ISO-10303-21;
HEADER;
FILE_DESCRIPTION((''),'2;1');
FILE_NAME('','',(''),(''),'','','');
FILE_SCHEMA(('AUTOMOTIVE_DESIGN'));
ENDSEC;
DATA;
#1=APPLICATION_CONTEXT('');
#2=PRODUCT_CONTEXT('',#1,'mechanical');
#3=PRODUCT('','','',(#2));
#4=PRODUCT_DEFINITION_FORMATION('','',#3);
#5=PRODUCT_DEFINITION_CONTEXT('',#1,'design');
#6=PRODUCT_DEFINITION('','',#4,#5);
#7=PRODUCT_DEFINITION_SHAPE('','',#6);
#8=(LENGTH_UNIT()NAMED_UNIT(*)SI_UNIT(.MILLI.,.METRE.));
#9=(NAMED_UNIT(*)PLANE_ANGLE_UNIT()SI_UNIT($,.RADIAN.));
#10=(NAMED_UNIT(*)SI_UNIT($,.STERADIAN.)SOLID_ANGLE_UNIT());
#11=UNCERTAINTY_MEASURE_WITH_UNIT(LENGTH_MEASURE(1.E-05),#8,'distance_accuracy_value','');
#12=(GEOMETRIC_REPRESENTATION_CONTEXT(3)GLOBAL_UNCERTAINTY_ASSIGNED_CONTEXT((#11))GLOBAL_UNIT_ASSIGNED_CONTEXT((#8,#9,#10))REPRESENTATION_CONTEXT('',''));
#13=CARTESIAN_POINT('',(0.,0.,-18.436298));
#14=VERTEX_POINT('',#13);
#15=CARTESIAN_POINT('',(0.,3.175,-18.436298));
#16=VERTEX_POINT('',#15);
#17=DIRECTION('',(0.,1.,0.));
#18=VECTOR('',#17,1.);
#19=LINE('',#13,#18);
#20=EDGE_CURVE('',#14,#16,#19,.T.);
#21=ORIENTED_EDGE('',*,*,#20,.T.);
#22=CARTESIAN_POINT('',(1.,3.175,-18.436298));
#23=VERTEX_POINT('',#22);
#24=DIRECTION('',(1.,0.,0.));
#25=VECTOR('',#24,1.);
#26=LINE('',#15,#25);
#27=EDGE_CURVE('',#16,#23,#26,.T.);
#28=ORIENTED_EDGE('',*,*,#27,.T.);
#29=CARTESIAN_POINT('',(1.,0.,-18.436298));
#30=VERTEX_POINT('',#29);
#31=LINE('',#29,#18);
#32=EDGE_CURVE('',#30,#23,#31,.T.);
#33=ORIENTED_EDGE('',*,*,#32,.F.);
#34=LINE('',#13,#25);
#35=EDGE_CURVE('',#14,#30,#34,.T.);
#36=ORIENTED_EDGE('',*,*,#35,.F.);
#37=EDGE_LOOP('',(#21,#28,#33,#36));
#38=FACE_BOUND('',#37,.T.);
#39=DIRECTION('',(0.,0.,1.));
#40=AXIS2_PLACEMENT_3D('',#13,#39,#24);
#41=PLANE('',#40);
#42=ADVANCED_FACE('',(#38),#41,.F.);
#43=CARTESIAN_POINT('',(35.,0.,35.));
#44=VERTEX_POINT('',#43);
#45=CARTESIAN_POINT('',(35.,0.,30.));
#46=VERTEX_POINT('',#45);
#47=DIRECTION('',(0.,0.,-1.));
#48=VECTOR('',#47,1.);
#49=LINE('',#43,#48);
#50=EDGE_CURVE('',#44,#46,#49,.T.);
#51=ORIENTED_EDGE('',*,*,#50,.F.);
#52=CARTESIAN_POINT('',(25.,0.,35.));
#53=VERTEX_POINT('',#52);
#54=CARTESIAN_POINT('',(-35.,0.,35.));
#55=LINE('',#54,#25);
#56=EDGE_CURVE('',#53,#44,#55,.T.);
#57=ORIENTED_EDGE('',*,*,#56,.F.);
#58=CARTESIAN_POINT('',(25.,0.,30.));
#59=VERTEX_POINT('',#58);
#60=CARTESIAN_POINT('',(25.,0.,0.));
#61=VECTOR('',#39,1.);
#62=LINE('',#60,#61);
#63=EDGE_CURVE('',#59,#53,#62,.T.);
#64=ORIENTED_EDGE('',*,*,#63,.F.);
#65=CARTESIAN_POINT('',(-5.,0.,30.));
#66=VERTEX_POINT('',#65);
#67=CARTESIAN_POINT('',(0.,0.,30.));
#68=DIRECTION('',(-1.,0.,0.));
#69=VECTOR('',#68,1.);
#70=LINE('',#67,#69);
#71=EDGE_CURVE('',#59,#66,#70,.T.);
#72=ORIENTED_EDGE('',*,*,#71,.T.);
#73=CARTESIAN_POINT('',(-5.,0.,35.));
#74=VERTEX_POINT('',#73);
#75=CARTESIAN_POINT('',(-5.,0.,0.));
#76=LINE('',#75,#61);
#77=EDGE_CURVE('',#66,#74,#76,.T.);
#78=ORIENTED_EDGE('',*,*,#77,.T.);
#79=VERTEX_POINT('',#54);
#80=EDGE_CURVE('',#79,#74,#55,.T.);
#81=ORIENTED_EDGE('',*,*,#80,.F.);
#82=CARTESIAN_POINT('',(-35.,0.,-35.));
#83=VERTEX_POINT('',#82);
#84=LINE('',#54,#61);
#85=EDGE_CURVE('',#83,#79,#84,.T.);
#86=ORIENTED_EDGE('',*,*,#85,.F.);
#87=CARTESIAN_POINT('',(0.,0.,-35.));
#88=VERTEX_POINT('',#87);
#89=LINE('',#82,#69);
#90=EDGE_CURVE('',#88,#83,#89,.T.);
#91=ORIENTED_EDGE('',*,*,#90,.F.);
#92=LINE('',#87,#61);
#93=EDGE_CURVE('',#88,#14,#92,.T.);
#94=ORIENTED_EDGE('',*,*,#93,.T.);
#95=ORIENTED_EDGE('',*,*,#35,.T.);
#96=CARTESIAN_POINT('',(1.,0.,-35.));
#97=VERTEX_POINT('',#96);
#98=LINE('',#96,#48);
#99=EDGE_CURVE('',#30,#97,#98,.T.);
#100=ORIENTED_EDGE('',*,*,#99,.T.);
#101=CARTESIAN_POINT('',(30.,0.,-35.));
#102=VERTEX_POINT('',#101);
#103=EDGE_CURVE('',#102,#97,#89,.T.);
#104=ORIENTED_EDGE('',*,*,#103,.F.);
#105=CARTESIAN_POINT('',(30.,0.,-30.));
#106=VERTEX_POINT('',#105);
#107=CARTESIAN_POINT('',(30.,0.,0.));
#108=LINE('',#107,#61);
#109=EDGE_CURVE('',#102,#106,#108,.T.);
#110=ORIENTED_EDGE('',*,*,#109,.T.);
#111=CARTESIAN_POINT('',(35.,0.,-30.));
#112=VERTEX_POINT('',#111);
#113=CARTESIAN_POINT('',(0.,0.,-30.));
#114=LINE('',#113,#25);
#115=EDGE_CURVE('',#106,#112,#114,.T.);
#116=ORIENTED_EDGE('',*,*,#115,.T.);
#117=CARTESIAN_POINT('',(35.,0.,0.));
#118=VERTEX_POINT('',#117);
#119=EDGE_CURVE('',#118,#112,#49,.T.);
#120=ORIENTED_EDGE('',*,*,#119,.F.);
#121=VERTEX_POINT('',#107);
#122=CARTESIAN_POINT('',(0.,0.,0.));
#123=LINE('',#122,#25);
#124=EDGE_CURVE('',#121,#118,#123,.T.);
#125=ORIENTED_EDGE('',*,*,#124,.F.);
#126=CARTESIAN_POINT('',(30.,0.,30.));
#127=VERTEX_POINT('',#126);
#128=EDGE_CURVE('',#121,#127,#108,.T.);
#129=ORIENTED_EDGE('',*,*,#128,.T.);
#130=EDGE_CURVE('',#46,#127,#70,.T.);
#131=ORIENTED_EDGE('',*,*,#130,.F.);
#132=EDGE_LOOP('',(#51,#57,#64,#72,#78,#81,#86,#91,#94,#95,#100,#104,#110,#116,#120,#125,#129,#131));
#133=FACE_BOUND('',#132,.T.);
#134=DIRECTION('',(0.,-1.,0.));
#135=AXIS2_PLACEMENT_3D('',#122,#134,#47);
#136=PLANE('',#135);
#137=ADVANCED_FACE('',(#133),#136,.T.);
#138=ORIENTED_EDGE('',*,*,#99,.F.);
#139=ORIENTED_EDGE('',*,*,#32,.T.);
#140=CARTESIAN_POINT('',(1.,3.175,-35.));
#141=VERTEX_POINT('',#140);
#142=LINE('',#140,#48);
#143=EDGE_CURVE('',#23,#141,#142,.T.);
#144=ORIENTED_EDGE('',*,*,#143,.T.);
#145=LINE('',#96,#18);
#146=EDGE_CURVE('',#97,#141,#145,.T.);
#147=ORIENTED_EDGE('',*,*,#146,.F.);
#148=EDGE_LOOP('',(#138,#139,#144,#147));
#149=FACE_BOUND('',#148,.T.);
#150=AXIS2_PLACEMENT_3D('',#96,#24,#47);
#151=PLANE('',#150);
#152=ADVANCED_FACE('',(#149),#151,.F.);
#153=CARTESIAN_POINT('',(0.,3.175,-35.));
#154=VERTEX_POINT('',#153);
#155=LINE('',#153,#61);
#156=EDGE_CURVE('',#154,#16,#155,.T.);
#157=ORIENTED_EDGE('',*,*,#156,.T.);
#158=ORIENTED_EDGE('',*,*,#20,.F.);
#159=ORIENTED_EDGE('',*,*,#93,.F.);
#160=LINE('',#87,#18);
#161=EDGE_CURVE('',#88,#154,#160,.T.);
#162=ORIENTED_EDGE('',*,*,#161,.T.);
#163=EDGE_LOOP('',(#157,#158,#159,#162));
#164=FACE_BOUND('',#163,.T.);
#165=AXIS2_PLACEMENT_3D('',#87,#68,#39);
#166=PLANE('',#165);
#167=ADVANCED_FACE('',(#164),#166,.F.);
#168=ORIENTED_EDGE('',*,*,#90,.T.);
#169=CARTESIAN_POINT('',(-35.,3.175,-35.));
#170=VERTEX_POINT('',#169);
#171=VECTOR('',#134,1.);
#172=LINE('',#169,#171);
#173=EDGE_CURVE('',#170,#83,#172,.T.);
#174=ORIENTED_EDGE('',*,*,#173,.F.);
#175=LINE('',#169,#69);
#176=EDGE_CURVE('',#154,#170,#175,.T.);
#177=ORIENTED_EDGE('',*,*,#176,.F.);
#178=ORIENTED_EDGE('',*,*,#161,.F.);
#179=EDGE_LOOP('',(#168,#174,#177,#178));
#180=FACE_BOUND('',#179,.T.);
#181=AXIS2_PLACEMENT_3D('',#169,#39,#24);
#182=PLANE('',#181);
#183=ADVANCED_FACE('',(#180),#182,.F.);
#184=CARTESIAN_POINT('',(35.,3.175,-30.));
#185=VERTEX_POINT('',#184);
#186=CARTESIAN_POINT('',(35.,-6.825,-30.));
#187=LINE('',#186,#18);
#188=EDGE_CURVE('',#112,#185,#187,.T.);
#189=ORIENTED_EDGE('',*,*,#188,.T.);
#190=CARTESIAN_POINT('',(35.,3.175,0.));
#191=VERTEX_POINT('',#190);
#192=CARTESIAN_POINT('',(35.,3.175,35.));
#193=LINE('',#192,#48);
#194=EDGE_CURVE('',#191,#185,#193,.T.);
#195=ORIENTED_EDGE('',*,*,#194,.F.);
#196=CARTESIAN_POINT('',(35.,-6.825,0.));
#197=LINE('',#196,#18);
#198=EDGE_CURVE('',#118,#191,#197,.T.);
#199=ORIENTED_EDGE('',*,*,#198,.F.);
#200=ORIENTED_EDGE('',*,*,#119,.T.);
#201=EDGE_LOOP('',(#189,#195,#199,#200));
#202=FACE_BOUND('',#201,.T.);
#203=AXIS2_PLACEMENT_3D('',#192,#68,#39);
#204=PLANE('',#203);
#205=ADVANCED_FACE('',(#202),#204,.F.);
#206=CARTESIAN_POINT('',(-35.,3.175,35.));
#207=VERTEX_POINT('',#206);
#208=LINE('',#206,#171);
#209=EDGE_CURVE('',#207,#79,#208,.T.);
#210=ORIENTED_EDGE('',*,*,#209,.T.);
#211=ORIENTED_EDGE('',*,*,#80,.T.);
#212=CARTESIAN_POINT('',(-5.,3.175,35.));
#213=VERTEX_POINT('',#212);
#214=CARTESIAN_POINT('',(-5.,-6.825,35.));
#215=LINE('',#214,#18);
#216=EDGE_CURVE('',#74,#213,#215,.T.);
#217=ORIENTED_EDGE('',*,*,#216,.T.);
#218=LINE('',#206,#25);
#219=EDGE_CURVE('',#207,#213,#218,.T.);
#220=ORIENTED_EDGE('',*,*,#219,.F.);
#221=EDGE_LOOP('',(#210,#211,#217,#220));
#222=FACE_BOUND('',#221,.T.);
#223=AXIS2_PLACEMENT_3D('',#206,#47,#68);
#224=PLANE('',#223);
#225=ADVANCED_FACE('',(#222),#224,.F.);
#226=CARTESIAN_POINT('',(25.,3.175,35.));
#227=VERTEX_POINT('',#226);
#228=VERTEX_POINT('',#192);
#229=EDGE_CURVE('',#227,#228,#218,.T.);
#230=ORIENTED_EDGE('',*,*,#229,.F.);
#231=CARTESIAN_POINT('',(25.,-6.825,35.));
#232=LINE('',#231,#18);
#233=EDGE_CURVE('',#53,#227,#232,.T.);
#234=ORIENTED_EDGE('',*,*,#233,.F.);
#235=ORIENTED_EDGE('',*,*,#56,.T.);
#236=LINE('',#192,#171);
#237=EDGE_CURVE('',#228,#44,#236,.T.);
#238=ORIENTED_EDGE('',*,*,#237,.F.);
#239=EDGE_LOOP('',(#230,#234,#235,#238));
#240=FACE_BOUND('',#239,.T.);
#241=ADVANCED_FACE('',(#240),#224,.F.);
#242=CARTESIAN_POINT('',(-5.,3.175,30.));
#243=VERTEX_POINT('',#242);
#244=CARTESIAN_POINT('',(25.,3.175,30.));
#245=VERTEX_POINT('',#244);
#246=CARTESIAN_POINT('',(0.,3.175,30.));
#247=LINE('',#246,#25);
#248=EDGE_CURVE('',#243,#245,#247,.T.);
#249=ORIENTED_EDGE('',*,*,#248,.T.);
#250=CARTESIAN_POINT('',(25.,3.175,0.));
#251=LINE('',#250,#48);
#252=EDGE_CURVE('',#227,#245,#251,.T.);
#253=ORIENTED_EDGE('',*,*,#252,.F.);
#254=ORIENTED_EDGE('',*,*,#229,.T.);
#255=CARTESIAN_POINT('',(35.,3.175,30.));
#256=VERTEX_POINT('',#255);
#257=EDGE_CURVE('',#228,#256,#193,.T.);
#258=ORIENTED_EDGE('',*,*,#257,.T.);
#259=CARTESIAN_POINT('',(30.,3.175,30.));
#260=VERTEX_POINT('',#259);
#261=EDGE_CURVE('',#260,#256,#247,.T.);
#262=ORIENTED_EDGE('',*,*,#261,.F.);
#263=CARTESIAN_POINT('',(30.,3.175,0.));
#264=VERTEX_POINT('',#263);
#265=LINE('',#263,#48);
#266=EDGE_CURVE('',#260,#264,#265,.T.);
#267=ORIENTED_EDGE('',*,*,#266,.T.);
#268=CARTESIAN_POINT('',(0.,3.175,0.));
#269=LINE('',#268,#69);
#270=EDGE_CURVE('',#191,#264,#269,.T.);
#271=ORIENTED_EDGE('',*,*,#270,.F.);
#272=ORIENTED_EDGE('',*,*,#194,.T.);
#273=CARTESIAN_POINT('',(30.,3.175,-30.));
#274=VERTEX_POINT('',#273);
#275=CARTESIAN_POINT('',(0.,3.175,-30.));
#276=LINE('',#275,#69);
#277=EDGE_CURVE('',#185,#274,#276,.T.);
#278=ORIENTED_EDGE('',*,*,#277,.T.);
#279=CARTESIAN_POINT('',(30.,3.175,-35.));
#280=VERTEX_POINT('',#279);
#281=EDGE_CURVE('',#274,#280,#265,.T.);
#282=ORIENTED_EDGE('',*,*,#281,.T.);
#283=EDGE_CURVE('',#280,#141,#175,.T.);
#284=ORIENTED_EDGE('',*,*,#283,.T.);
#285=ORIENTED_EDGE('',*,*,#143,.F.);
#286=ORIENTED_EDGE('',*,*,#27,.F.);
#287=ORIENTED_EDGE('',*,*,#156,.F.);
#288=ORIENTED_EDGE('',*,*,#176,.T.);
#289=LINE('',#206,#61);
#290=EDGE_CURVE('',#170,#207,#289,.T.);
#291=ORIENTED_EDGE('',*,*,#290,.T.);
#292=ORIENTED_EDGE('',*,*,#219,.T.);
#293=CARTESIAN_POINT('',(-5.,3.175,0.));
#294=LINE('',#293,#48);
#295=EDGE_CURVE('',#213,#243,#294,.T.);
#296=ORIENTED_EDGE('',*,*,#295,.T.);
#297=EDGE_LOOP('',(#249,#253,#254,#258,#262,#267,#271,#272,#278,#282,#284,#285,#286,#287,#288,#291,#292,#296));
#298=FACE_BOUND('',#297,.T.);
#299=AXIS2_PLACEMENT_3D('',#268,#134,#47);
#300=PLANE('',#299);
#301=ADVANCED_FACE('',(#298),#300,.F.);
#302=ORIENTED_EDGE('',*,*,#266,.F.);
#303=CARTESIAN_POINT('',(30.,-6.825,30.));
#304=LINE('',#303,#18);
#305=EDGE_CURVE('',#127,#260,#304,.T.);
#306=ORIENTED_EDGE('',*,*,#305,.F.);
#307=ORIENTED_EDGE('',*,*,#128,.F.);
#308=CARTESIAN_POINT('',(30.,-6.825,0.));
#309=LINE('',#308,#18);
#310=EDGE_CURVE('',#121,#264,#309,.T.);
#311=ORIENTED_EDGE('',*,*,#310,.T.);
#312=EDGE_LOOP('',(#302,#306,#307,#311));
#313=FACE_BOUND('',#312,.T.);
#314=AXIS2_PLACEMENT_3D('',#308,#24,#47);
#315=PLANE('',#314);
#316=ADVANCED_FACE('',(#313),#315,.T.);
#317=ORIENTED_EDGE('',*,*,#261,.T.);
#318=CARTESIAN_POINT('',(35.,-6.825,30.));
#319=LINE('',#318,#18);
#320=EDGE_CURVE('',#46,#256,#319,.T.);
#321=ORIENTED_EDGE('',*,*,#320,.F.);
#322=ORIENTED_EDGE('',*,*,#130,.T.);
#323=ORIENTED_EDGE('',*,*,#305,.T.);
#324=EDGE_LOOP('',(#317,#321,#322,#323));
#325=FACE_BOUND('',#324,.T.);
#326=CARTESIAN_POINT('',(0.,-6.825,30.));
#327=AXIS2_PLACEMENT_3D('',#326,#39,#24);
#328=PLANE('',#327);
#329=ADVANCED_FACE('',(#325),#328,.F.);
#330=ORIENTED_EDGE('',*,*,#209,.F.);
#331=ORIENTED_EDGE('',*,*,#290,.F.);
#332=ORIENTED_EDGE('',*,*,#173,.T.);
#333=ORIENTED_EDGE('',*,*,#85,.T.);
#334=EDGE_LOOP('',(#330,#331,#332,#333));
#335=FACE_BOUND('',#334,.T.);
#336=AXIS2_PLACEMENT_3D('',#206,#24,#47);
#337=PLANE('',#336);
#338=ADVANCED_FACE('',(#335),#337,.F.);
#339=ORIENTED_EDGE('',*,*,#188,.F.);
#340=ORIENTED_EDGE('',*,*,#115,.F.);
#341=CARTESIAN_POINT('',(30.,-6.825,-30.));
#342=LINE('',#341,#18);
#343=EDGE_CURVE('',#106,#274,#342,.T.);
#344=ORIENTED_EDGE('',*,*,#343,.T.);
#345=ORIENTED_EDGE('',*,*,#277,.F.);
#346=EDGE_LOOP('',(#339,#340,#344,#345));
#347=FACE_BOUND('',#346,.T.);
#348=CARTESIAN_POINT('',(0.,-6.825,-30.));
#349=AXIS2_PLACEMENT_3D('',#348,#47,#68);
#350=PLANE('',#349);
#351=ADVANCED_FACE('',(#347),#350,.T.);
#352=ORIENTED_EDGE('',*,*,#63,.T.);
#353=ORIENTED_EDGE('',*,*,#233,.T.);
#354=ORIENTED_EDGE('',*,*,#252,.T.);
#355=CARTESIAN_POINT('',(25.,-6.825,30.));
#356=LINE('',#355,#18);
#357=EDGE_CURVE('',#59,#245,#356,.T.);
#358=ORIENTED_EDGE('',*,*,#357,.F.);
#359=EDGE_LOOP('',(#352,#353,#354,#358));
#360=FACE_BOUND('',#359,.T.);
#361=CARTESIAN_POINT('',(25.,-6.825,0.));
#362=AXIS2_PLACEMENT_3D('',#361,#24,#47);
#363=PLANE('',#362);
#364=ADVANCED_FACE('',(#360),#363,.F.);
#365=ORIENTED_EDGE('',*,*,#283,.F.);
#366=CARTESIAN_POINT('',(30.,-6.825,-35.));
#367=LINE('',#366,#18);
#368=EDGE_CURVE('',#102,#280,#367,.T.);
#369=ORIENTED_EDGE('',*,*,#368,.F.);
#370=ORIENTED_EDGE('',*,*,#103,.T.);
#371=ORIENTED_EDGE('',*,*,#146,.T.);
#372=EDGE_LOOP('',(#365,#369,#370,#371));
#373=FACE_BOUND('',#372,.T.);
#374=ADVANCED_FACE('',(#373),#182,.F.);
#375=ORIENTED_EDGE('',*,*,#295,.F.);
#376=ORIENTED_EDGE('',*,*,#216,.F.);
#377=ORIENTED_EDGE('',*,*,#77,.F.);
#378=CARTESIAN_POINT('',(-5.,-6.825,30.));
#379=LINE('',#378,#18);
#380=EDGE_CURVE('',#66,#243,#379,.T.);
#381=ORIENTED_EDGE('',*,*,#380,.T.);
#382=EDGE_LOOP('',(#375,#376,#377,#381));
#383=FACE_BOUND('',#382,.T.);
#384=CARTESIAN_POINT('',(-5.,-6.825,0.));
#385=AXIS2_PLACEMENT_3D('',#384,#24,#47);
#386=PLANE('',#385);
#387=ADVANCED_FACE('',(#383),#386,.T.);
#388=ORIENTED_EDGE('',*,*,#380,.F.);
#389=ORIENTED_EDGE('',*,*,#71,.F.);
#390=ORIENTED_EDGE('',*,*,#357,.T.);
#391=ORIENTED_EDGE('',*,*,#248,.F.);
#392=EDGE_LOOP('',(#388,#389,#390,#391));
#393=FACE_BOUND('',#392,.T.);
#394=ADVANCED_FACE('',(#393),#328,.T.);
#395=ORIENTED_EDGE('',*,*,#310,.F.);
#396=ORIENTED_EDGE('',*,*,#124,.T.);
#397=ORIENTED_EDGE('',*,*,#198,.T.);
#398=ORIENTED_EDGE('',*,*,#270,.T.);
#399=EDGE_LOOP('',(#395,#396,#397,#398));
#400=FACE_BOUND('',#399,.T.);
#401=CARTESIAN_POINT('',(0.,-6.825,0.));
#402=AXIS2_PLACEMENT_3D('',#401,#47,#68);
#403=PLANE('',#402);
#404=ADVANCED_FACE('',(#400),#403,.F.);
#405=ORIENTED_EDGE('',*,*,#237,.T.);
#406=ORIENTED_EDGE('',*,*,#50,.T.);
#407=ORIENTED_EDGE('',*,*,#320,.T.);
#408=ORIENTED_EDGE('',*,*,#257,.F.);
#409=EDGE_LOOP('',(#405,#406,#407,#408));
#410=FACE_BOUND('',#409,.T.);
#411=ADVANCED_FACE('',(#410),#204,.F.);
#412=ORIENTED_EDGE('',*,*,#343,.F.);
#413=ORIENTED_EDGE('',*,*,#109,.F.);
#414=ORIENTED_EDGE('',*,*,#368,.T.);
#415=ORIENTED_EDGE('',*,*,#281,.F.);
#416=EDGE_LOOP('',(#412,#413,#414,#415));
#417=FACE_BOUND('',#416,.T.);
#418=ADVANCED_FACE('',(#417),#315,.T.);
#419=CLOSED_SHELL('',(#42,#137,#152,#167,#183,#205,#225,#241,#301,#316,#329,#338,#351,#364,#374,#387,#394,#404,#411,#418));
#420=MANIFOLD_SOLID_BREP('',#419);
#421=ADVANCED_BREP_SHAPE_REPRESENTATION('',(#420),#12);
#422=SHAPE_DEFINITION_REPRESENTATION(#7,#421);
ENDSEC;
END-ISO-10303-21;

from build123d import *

# Parameters (mm, degrees)
SKETCH1_W           = 70
SKETCH1_H           = 70
BOSS_EXTRUDE1_DEPTH = 3.175
SKETCH2_W           = 1
SKETCH2_H           = 16.56370183
CUT_EXTRUDE1_DEPTH  = 3.175
SKETCH3_W           = 30
SKETCH3_H           = 5
SKETCH3_W_2         = 5
SKETCH3_H_2         = 30
CUT_EXTRUDE2_DEPTH  = 10


with BuildPart() as part:
    # Sketch1 → Boss-Extrude1 (new body)
    with BuildSketch(Plane(origin=(0, 0, 0), x_dir=(1, 0, 0), z_dir=(0, 1, 0))):
        Rectangle(SKETCH1_W, SKETCH1_H)
    extrude(amount=BOSS_EXTRUDE1_DEPTH)

    # Sketch2 → Cut-Extrude1 (cut)
    with BuildSketch(Plane(origin=(0, 3.175, 0), x_dir=(1, 0, 0), z_dir=(0, 1, 0))):
        with Locations((0.5, 26.718149085)):
            Rectangle(SKETCH2_W, SKETCH2_H)
    extrude(amount=-CUT_EXTRUDE1_DEPTH, mode=Mode.SUBTRACT)

    # Sketch3 → Cut-Extrude2 (cut)
    with BuildSketch(Plane(origin=(0, 3.175, 0), x_dir=(1, 0, 0), z_dir=(0, 1, 0))):
        with Locations((10, -32.5)):
            Rectangle(SKETCH3_W, SKETCH3_H)
        with Locations((32.5, -15)):
            Rectangle(SKETCH3_W_2, SKETCH3_H_2)
        with Locations((32.5, 32.5)):
            Rectangle(SKETCH3_W_2, SKETCH3_H)
    extrude(amount=-CUT_EXTRUDE2_DEPTH, mode=Mode.SUBTRACT)


solid = part.part
